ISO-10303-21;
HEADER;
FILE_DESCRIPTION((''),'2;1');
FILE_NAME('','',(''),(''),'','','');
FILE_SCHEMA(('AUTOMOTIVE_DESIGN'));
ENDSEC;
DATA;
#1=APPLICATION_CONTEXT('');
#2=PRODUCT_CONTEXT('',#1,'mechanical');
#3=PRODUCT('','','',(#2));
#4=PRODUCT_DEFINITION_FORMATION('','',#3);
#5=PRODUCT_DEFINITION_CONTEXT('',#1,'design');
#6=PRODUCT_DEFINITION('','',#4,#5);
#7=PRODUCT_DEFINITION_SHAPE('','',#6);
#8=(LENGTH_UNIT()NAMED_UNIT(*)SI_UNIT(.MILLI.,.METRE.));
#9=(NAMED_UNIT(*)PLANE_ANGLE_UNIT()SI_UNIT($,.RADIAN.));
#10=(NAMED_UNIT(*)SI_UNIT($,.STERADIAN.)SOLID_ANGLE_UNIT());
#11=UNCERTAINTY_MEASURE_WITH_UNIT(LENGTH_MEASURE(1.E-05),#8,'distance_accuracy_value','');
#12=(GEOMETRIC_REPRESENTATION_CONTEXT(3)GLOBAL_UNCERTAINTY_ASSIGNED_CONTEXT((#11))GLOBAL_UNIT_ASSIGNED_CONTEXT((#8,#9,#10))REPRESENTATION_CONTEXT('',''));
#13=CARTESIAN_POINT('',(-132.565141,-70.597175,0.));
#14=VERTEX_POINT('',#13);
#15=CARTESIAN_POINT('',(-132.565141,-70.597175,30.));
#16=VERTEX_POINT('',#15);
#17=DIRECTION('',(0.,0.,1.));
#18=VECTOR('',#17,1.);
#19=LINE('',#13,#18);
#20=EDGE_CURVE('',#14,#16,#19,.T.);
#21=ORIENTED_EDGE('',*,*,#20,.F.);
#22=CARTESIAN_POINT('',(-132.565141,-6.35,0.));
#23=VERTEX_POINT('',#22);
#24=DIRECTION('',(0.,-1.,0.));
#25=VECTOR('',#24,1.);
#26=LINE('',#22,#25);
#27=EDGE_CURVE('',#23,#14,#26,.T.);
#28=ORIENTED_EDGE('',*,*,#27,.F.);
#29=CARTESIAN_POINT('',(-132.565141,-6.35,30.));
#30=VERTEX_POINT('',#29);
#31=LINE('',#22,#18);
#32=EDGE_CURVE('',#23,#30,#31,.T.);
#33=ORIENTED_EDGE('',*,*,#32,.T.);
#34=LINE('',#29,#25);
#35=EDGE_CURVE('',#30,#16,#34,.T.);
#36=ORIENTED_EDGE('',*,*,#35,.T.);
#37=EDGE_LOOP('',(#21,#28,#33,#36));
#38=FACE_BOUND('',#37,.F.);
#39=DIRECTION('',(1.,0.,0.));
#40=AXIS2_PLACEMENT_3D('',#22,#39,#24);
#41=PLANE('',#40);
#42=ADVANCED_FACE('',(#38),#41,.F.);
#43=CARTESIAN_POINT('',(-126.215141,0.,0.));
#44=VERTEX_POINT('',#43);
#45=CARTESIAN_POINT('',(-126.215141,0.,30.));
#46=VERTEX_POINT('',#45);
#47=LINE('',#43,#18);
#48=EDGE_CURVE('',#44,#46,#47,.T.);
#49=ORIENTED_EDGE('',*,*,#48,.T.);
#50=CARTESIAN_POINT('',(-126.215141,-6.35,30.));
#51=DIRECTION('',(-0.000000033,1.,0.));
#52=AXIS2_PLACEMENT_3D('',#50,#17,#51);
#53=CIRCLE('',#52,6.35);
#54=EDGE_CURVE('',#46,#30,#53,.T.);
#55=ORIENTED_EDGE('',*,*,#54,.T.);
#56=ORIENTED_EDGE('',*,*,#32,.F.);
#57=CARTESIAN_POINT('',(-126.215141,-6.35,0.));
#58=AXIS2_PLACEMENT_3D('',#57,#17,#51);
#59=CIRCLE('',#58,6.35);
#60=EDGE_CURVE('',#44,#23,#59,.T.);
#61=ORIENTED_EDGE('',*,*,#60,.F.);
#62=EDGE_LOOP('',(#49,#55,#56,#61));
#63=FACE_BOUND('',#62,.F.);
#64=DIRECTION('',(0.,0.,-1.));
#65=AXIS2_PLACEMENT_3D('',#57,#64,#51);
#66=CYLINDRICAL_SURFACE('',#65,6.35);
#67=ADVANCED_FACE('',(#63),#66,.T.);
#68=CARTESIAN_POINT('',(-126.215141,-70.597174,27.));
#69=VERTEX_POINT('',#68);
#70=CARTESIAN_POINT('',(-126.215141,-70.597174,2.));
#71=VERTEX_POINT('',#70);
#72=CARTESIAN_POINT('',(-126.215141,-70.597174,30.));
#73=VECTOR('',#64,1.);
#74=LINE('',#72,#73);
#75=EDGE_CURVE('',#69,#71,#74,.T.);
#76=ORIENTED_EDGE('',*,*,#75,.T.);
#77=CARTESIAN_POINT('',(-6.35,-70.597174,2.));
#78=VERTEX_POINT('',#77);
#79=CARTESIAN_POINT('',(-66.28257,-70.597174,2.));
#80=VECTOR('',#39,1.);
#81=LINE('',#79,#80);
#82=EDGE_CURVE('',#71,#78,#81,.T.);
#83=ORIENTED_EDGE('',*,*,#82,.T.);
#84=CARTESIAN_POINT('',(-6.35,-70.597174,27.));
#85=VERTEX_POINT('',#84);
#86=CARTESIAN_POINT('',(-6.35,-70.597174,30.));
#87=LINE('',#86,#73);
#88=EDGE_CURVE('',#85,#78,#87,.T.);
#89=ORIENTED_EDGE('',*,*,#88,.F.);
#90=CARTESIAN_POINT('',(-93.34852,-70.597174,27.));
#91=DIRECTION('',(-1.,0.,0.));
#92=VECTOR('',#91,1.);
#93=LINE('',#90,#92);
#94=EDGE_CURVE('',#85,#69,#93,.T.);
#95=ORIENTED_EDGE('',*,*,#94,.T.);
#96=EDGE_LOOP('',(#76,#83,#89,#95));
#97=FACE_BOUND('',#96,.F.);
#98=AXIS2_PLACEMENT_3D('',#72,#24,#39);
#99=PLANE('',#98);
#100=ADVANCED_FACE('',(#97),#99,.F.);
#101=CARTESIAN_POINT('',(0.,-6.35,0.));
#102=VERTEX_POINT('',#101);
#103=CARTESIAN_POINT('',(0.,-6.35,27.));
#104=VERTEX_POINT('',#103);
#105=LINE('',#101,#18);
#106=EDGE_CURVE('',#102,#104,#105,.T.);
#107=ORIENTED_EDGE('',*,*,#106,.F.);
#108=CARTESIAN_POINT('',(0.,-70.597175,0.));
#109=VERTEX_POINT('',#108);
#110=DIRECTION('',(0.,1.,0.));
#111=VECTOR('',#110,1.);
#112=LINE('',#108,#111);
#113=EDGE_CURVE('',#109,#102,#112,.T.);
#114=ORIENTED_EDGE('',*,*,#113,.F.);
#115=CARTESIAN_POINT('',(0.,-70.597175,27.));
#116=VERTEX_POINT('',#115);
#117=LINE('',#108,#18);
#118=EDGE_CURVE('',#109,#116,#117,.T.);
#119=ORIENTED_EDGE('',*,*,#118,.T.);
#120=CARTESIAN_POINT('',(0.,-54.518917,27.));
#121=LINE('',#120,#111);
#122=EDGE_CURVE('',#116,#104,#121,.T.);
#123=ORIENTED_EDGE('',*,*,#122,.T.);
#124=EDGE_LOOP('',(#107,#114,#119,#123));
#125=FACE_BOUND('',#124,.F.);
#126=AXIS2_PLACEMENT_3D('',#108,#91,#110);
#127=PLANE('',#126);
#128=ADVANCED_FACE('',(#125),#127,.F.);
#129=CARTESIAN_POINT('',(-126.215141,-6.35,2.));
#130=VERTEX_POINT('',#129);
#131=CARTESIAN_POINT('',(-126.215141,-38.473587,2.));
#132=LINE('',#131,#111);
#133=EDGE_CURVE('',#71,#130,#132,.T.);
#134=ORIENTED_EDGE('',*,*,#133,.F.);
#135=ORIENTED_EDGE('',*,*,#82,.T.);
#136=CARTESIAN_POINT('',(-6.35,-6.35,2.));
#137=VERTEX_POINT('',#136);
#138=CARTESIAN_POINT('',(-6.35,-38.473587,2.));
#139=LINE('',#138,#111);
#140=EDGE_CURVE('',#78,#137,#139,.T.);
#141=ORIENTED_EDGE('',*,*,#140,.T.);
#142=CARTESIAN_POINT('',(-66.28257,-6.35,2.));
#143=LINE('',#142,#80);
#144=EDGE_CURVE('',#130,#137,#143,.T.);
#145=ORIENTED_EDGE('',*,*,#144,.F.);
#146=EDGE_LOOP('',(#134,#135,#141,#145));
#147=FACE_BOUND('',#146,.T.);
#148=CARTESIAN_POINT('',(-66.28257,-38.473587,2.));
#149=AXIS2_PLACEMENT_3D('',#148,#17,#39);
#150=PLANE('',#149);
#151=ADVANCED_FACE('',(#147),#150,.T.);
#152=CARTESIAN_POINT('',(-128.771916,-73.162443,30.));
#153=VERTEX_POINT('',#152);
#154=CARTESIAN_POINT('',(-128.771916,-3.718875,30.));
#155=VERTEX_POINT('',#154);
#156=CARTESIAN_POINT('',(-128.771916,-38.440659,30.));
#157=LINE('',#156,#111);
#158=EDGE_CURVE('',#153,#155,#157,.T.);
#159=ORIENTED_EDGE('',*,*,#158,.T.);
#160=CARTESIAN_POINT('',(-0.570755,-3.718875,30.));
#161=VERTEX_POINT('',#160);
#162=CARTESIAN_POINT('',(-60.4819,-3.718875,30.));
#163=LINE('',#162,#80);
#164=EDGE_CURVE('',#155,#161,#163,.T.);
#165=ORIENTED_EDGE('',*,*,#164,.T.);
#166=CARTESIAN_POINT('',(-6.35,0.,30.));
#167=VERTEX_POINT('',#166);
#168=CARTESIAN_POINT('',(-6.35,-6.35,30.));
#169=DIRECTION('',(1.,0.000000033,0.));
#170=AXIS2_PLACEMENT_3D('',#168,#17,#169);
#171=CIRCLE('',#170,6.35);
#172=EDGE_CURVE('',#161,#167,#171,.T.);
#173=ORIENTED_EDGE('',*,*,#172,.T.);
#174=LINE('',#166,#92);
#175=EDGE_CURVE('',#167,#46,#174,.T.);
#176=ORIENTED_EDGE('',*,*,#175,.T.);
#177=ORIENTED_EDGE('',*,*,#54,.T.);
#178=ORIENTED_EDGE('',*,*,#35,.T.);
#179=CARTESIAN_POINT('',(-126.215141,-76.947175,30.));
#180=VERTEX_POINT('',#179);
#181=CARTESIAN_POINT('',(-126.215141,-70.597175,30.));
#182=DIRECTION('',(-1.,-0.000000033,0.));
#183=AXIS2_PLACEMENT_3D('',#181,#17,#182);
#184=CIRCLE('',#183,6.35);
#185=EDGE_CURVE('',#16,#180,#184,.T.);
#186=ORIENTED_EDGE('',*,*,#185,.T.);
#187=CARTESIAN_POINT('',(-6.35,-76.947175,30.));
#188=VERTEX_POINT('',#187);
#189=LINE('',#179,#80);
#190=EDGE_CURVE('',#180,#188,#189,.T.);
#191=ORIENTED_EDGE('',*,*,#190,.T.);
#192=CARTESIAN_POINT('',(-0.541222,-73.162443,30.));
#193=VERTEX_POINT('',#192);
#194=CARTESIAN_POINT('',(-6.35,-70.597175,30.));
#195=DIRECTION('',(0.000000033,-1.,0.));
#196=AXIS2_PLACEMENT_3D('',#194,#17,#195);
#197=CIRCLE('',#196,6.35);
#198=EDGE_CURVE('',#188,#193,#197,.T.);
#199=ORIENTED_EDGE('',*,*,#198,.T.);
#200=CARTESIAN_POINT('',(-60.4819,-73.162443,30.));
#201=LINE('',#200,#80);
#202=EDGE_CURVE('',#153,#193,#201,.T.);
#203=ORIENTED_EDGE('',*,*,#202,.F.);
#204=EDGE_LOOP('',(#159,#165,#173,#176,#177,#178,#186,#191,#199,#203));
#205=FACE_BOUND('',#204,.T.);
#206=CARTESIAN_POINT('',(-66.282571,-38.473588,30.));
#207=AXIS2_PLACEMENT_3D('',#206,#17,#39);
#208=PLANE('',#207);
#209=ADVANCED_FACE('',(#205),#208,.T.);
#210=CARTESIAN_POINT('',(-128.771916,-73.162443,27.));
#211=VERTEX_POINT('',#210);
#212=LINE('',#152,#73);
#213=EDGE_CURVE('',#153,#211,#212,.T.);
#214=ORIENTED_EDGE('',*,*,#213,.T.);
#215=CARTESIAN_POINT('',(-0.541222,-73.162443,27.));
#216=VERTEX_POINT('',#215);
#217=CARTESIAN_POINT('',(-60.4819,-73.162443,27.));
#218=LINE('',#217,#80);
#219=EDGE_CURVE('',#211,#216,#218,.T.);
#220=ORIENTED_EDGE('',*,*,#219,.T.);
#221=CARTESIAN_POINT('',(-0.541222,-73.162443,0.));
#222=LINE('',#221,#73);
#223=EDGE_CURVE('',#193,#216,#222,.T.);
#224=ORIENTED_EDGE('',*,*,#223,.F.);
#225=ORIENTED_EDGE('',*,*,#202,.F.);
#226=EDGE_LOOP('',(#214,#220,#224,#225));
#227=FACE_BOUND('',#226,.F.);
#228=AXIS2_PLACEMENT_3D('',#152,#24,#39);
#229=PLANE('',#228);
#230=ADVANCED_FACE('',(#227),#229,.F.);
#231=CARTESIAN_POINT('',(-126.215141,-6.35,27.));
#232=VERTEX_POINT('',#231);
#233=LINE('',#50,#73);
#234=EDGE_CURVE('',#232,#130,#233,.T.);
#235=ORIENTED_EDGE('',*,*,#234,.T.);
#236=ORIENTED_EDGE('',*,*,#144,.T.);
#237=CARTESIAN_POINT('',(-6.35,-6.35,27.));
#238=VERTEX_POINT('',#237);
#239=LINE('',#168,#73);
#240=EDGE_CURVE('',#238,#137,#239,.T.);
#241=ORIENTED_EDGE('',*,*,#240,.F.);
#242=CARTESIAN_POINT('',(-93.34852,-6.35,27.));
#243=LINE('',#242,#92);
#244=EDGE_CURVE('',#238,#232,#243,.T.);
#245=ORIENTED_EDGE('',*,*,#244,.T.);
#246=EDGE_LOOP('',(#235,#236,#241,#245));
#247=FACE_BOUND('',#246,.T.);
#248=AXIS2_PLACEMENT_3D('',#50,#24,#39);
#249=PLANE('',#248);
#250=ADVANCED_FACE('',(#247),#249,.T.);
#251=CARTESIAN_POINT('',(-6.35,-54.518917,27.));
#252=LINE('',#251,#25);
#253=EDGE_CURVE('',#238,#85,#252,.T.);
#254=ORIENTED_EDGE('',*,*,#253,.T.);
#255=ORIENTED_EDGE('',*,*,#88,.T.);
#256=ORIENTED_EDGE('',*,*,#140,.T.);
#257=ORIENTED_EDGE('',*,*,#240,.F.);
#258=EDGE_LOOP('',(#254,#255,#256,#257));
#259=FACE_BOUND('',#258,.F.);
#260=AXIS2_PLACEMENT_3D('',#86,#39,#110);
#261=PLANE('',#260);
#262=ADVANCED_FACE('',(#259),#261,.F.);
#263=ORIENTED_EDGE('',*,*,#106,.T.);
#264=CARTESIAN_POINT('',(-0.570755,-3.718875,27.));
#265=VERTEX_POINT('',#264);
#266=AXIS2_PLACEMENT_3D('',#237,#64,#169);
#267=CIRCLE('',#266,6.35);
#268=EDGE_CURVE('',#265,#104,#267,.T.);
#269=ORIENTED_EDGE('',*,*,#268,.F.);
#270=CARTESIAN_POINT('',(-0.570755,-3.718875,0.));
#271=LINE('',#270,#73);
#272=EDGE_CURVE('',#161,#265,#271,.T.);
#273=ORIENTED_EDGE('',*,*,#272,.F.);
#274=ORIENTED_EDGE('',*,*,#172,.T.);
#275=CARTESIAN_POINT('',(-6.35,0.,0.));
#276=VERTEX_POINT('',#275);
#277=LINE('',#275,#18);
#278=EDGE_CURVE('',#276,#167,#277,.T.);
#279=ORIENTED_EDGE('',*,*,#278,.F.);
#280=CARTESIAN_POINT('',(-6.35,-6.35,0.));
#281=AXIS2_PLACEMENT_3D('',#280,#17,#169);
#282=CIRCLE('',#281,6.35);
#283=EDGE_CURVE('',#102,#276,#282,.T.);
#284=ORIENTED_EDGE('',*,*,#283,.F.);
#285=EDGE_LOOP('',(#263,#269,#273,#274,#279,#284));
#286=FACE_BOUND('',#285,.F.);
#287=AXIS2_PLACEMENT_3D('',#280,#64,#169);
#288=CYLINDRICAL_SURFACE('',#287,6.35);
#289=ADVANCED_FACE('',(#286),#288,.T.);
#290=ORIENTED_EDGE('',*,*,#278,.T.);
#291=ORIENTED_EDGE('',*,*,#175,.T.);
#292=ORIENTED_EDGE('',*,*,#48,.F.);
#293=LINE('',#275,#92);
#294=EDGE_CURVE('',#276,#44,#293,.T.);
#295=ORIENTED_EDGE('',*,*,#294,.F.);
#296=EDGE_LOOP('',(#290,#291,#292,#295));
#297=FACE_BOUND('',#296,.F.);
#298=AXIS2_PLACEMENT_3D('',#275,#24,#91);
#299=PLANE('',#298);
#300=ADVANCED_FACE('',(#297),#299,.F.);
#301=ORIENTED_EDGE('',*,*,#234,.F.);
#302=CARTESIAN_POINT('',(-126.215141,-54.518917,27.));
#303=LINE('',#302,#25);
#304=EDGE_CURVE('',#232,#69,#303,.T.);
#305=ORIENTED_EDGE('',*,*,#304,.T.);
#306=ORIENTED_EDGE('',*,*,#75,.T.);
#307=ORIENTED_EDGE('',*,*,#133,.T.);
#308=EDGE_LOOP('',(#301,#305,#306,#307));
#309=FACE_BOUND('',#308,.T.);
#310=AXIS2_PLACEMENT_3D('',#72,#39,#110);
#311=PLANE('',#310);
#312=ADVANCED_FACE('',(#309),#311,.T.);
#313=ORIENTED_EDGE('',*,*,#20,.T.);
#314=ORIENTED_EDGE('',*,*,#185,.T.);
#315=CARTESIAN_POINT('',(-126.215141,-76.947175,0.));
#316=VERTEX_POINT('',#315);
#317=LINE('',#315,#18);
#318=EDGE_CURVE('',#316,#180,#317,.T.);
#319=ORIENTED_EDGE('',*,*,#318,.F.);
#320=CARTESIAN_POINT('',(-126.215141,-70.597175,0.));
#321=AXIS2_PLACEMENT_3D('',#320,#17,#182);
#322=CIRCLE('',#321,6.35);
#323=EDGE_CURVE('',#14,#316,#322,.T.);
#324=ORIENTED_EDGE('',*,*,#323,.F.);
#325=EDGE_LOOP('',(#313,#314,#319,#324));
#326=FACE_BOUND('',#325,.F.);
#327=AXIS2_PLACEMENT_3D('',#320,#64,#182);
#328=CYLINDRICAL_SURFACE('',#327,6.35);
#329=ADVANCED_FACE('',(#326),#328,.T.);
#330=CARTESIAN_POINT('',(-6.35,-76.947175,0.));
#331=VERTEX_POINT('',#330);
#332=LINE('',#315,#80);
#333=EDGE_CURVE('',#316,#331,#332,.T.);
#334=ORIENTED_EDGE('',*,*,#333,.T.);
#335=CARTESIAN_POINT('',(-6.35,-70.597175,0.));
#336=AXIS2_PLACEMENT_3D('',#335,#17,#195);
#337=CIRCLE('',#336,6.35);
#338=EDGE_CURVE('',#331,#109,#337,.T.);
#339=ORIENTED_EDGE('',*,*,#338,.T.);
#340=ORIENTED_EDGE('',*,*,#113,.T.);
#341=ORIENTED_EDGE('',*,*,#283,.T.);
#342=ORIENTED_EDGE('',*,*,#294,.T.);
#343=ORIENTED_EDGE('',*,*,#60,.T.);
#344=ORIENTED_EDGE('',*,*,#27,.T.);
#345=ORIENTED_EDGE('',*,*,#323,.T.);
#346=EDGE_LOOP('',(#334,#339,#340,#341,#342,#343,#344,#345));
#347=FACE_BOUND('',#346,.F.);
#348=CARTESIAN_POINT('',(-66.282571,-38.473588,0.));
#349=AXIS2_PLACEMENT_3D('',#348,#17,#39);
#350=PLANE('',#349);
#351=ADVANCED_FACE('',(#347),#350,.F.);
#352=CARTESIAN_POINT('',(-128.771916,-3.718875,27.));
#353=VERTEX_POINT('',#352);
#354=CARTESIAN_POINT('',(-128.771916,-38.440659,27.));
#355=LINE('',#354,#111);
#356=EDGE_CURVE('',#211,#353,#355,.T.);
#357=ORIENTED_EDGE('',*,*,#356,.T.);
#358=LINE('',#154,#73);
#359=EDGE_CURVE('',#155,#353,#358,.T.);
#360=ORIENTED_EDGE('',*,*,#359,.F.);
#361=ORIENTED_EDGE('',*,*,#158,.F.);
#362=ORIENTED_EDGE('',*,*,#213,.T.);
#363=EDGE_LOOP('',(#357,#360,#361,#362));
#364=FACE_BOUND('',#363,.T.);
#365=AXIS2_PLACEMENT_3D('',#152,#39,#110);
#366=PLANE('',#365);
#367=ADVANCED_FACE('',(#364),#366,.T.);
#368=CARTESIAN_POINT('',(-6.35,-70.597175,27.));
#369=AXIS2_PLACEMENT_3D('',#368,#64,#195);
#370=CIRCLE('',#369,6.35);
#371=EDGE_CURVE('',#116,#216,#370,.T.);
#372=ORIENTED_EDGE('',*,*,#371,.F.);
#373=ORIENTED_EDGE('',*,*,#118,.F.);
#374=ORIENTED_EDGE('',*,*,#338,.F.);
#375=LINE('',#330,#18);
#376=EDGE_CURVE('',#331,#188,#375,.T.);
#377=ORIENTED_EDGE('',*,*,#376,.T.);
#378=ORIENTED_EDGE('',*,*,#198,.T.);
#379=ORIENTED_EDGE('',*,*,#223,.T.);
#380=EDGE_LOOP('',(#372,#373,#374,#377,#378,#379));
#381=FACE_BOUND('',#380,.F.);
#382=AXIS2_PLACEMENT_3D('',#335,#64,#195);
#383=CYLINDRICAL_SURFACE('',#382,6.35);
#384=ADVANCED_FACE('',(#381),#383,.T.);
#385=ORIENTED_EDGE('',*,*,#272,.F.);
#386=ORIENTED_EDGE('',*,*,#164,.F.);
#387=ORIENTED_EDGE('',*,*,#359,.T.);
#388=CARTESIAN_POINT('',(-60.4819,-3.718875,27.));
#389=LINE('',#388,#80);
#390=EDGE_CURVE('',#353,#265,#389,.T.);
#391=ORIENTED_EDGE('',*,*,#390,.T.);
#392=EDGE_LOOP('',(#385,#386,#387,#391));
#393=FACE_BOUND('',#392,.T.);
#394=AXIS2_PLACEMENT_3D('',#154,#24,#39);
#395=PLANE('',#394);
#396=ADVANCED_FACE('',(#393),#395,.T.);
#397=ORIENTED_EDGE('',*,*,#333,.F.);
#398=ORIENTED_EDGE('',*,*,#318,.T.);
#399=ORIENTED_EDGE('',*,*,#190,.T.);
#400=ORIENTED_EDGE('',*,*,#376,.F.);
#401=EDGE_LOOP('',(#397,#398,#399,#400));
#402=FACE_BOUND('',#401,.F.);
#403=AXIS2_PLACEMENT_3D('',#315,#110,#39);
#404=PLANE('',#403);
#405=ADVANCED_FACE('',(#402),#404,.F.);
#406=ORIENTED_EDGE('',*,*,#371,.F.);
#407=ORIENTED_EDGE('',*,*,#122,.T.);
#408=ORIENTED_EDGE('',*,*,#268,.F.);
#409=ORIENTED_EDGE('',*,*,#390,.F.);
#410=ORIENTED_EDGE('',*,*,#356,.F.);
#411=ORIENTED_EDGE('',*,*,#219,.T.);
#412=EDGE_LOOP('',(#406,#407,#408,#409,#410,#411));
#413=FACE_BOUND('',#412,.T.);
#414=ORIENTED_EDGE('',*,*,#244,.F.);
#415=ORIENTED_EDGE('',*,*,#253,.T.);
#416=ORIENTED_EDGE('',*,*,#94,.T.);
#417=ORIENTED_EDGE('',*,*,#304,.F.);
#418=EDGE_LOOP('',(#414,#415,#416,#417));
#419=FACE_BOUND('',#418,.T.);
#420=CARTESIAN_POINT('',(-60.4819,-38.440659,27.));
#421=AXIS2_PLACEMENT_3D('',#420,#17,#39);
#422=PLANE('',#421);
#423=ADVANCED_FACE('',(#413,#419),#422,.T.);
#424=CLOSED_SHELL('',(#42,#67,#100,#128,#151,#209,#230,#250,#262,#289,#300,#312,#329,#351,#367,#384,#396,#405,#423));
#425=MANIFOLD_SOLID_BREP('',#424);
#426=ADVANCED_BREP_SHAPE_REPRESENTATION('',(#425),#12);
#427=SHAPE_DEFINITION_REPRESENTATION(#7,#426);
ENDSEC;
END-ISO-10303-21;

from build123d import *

# Parameters (mm, degrees)
F1_DEPTH = 30
F2_W     = 119.865141
F2_H     = 64.247175
F3_DEPTH = 28
F4_W     = 136.580032
F4_H     = 69.443569
F5_DEPTH = 3


with BuildPart() as f1:
    # F0 (on Top) → F1 (new body)
    with BuildSketch(Plane.XY):
        with BuildLine():
            ThreePointArc((0, -6.35), (-1.859872, -1.859872), (-6.35, 0))
            Line((-6.35, 0), (-126.215141, 0))
            ThreePointArc((-126.215141, 0), (-130.705269, -1.859872), (-132.565141, -6.35))
            Line((-132.565141, -6.35), (-132.565141, -70.597175))
            ThreePointArc((-132.565141, -70.597175), (-130.705269, -75.087303), (-126.215141, -76.947175))
            Line((-126.215141, -76.947175), (-6.35, -76.947175))
            ThreePointArc((-6.35, -76.947175), (-1.859872, -75.087303), (0, -70.597175))
            Line((0, -70.597175), (0, -6.35))
        make_face()
    extrude(amount=F1_DEPTH)

    # F2 (on face) → F3 (cut)
    with BuildSketch(Plane.XY.offset(30)):
        with Locations((-66.28257, -38.473587)):
            Rectangle(F2_W, F2_H)
    extrude(amount=-F3_DEPTH, mode=Mode.SUBTRACT)

    # F4 (on face) → F5 (cut)
    with BuildSketch(Plane.XY.offset(30)):
        with Locations((-60.4819, -38.440659)):
            Rectangle(F4_W, F4_H)
    extrude(amount=-F5_DEPTH, mode=Mode.SUBTRACT)


solid = f1.part
